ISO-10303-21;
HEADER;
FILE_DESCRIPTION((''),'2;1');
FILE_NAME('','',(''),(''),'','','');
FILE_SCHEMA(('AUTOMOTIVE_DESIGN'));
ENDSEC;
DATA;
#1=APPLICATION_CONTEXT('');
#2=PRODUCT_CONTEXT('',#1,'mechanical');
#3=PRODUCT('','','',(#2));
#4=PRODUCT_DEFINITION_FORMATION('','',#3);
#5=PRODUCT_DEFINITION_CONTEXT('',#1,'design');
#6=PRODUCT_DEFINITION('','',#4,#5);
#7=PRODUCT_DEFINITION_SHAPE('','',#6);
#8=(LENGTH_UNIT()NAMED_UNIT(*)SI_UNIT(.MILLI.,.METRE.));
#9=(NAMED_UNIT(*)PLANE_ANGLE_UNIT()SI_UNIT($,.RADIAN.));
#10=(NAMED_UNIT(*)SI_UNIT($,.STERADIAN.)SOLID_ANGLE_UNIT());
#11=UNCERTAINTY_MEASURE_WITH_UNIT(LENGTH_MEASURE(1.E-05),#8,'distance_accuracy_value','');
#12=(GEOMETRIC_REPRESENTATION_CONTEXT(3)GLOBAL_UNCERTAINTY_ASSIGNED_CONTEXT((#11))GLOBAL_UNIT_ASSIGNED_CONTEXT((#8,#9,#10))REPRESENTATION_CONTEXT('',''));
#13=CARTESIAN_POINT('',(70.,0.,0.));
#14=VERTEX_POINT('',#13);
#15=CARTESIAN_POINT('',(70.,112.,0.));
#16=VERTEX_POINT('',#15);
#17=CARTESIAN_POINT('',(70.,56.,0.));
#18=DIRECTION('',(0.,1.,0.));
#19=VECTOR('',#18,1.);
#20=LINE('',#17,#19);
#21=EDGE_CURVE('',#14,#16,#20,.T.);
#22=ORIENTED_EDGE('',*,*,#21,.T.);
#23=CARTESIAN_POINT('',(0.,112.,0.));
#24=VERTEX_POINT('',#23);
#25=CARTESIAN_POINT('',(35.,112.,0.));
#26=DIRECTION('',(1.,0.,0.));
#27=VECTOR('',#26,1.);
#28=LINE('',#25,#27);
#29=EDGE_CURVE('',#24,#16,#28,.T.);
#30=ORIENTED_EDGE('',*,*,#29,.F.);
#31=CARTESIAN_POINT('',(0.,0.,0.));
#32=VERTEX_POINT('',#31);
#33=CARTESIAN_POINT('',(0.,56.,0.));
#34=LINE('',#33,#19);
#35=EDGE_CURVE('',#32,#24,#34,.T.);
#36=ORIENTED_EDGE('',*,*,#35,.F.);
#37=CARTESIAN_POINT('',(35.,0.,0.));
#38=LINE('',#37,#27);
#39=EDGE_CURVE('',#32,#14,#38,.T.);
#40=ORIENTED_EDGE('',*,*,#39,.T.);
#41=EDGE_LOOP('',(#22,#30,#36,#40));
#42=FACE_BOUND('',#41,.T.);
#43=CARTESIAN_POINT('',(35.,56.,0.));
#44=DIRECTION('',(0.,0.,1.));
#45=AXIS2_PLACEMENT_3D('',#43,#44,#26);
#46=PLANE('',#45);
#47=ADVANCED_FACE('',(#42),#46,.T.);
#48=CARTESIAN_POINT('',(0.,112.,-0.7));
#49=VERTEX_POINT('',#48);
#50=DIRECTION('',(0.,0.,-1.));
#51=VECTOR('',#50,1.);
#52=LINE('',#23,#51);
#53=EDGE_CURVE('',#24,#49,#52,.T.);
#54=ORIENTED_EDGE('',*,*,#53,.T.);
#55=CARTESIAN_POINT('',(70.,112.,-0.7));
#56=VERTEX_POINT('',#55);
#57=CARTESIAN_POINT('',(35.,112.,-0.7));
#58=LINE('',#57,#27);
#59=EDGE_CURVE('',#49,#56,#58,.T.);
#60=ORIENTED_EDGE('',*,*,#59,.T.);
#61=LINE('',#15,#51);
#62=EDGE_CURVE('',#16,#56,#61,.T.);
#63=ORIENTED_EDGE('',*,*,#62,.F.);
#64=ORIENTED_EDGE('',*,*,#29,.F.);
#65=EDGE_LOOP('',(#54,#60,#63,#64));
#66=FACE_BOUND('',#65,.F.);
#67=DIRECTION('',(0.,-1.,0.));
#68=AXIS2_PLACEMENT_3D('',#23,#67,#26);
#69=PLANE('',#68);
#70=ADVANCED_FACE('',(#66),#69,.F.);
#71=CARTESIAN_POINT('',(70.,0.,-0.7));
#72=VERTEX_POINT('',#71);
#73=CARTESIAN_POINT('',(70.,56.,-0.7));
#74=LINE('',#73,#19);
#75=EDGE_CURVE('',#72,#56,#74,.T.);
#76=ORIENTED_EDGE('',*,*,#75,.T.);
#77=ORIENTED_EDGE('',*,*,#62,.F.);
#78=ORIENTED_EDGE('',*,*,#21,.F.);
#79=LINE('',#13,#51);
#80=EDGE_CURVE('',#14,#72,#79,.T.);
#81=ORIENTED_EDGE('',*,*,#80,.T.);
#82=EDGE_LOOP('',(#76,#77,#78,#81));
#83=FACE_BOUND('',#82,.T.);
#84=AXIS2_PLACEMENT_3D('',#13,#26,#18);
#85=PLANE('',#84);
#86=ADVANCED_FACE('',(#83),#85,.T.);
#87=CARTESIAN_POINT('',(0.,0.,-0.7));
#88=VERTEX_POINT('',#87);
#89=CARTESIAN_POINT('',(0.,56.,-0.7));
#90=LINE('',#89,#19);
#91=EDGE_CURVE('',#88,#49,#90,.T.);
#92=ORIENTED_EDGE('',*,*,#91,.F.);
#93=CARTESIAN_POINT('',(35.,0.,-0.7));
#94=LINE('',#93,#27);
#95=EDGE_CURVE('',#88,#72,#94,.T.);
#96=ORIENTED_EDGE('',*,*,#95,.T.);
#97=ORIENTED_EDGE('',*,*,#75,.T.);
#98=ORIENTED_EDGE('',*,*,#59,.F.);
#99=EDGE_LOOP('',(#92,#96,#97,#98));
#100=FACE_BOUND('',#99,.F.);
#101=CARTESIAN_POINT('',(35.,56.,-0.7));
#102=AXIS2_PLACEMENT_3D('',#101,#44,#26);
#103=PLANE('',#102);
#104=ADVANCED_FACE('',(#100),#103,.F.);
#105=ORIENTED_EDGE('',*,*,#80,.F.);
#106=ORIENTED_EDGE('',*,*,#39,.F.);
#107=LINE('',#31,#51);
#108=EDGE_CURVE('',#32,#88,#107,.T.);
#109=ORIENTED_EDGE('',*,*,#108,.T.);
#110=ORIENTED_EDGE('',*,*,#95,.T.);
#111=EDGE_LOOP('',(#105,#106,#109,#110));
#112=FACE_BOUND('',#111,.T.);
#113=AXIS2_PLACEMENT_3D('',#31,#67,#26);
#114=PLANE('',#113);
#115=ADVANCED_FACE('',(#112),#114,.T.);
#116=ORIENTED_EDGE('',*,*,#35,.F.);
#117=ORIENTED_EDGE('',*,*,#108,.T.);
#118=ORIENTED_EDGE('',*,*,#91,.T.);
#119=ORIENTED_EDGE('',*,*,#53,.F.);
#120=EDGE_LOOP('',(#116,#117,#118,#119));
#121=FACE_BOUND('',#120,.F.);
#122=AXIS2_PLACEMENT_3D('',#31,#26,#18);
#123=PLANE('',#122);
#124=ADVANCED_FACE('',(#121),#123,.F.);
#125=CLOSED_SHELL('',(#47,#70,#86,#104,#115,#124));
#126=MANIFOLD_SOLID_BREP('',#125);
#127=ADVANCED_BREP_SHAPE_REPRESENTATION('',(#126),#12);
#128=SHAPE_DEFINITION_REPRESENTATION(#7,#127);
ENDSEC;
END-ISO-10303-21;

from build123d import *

# Parameters (mm, degrees)
F0_W     = 1000
F0_H     = 1600
F1_DEPTH = 10
F2_SCALE = 0.07


with BuildPart() as f1:
    # F0 (on Top) → F1 (new body)
    with BuildSketch(Plane.XY):
        with Locations((500, 800)):
            Rectangle(F0_W, F0_H)
    extrude(amount=-F1_DEPTH)


with BuildPart() as f1_1:
    # F2: moved
    add(f1.part.scale(F2_SCALE))


solid = f1_1.part
